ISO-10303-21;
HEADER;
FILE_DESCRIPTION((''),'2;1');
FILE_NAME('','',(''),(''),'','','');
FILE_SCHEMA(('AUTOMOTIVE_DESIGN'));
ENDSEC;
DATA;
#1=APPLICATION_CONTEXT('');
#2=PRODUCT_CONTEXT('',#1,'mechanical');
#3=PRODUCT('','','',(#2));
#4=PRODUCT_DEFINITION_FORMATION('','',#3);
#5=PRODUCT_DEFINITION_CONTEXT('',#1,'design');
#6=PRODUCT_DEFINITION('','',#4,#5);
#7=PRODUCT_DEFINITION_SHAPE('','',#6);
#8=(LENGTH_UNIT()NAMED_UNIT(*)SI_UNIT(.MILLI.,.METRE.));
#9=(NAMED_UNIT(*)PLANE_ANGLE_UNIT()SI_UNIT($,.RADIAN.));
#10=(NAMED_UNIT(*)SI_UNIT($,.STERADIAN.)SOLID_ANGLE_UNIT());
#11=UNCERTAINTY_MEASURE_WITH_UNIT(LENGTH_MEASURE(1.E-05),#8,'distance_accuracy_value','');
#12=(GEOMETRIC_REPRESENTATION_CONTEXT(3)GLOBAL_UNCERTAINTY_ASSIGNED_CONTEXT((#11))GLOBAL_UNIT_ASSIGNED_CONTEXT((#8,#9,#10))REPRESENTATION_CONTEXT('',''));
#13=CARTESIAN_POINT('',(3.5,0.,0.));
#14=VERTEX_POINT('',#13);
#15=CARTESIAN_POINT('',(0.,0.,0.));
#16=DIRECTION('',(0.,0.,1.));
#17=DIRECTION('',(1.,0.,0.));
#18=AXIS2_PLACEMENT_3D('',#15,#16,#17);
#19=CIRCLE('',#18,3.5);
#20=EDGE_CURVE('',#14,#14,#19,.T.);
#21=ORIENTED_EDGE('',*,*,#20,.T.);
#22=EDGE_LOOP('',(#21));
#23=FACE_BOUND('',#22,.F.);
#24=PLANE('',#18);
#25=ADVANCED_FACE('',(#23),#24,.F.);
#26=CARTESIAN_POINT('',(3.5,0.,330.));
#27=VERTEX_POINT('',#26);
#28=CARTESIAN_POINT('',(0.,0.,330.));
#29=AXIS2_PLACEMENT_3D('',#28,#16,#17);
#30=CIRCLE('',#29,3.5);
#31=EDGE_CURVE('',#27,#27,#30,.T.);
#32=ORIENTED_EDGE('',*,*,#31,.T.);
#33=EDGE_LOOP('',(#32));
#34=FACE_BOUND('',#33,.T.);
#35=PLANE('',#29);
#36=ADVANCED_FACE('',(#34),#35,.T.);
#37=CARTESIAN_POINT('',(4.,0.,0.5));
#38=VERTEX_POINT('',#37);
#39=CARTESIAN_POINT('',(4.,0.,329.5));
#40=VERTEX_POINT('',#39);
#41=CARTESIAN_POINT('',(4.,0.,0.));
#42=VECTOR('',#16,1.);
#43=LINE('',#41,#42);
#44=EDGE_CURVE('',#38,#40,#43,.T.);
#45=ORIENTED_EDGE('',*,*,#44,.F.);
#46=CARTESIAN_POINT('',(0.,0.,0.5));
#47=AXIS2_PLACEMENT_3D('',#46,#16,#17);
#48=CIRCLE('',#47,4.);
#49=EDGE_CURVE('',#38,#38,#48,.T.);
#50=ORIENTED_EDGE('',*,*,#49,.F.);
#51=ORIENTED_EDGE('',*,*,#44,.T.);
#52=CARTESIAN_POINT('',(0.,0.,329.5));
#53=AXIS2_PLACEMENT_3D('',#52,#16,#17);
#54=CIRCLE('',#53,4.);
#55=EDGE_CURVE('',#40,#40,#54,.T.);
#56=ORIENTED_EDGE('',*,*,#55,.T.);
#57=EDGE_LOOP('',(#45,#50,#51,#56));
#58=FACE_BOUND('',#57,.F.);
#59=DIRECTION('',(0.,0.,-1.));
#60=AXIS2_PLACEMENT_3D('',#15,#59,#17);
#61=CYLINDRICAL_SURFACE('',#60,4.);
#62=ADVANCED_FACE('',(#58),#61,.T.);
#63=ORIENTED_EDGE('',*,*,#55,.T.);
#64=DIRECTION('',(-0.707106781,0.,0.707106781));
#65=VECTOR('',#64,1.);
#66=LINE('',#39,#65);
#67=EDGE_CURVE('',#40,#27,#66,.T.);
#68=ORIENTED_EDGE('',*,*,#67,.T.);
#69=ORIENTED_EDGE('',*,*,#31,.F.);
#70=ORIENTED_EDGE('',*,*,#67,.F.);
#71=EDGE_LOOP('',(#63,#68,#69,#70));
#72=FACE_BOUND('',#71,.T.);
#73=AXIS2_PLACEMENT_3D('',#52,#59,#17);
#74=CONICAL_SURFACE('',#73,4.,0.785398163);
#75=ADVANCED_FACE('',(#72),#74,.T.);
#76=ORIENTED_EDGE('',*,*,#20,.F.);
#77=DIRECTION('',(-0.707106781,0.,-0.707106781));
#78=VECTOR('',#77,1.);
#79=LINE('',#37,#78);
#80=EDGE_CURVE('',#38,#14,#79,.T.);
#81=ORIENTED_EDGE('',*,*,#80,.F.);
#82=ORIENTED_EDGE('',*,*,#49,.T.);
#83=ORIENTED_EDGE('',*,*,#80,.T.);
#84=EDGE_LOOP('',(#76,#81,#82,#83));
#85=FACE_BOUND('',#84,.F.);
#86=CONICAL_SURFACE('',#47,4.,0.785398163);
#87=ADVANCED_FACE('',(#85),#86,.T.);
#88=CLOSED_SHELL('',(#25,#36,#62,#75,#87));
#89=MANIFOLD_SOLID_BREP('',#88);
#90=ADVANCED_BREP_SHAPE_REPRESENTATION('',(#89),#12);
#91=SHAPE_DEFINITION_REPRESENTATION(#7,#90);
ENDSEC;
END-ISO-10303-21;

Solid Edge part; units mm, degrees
sketch "Sketch1" plane through (0, 0, 0) normal (0, 0, 1) x (1, 0, 0)
  circle A0 centre (0, 0) radius 4
  dimension "D1" = 8
extrude "Protrusion1" add sketch "Sketch1" along normal blind 330
chamfer "Chamfer_1" distance 0.5 angle 45 2 edges at (-4, 0, 0) (-4, 0, 330)
cosmetic_thread "Thread1" size "Tr 8 x 2"
properties material "Stainless steel"
